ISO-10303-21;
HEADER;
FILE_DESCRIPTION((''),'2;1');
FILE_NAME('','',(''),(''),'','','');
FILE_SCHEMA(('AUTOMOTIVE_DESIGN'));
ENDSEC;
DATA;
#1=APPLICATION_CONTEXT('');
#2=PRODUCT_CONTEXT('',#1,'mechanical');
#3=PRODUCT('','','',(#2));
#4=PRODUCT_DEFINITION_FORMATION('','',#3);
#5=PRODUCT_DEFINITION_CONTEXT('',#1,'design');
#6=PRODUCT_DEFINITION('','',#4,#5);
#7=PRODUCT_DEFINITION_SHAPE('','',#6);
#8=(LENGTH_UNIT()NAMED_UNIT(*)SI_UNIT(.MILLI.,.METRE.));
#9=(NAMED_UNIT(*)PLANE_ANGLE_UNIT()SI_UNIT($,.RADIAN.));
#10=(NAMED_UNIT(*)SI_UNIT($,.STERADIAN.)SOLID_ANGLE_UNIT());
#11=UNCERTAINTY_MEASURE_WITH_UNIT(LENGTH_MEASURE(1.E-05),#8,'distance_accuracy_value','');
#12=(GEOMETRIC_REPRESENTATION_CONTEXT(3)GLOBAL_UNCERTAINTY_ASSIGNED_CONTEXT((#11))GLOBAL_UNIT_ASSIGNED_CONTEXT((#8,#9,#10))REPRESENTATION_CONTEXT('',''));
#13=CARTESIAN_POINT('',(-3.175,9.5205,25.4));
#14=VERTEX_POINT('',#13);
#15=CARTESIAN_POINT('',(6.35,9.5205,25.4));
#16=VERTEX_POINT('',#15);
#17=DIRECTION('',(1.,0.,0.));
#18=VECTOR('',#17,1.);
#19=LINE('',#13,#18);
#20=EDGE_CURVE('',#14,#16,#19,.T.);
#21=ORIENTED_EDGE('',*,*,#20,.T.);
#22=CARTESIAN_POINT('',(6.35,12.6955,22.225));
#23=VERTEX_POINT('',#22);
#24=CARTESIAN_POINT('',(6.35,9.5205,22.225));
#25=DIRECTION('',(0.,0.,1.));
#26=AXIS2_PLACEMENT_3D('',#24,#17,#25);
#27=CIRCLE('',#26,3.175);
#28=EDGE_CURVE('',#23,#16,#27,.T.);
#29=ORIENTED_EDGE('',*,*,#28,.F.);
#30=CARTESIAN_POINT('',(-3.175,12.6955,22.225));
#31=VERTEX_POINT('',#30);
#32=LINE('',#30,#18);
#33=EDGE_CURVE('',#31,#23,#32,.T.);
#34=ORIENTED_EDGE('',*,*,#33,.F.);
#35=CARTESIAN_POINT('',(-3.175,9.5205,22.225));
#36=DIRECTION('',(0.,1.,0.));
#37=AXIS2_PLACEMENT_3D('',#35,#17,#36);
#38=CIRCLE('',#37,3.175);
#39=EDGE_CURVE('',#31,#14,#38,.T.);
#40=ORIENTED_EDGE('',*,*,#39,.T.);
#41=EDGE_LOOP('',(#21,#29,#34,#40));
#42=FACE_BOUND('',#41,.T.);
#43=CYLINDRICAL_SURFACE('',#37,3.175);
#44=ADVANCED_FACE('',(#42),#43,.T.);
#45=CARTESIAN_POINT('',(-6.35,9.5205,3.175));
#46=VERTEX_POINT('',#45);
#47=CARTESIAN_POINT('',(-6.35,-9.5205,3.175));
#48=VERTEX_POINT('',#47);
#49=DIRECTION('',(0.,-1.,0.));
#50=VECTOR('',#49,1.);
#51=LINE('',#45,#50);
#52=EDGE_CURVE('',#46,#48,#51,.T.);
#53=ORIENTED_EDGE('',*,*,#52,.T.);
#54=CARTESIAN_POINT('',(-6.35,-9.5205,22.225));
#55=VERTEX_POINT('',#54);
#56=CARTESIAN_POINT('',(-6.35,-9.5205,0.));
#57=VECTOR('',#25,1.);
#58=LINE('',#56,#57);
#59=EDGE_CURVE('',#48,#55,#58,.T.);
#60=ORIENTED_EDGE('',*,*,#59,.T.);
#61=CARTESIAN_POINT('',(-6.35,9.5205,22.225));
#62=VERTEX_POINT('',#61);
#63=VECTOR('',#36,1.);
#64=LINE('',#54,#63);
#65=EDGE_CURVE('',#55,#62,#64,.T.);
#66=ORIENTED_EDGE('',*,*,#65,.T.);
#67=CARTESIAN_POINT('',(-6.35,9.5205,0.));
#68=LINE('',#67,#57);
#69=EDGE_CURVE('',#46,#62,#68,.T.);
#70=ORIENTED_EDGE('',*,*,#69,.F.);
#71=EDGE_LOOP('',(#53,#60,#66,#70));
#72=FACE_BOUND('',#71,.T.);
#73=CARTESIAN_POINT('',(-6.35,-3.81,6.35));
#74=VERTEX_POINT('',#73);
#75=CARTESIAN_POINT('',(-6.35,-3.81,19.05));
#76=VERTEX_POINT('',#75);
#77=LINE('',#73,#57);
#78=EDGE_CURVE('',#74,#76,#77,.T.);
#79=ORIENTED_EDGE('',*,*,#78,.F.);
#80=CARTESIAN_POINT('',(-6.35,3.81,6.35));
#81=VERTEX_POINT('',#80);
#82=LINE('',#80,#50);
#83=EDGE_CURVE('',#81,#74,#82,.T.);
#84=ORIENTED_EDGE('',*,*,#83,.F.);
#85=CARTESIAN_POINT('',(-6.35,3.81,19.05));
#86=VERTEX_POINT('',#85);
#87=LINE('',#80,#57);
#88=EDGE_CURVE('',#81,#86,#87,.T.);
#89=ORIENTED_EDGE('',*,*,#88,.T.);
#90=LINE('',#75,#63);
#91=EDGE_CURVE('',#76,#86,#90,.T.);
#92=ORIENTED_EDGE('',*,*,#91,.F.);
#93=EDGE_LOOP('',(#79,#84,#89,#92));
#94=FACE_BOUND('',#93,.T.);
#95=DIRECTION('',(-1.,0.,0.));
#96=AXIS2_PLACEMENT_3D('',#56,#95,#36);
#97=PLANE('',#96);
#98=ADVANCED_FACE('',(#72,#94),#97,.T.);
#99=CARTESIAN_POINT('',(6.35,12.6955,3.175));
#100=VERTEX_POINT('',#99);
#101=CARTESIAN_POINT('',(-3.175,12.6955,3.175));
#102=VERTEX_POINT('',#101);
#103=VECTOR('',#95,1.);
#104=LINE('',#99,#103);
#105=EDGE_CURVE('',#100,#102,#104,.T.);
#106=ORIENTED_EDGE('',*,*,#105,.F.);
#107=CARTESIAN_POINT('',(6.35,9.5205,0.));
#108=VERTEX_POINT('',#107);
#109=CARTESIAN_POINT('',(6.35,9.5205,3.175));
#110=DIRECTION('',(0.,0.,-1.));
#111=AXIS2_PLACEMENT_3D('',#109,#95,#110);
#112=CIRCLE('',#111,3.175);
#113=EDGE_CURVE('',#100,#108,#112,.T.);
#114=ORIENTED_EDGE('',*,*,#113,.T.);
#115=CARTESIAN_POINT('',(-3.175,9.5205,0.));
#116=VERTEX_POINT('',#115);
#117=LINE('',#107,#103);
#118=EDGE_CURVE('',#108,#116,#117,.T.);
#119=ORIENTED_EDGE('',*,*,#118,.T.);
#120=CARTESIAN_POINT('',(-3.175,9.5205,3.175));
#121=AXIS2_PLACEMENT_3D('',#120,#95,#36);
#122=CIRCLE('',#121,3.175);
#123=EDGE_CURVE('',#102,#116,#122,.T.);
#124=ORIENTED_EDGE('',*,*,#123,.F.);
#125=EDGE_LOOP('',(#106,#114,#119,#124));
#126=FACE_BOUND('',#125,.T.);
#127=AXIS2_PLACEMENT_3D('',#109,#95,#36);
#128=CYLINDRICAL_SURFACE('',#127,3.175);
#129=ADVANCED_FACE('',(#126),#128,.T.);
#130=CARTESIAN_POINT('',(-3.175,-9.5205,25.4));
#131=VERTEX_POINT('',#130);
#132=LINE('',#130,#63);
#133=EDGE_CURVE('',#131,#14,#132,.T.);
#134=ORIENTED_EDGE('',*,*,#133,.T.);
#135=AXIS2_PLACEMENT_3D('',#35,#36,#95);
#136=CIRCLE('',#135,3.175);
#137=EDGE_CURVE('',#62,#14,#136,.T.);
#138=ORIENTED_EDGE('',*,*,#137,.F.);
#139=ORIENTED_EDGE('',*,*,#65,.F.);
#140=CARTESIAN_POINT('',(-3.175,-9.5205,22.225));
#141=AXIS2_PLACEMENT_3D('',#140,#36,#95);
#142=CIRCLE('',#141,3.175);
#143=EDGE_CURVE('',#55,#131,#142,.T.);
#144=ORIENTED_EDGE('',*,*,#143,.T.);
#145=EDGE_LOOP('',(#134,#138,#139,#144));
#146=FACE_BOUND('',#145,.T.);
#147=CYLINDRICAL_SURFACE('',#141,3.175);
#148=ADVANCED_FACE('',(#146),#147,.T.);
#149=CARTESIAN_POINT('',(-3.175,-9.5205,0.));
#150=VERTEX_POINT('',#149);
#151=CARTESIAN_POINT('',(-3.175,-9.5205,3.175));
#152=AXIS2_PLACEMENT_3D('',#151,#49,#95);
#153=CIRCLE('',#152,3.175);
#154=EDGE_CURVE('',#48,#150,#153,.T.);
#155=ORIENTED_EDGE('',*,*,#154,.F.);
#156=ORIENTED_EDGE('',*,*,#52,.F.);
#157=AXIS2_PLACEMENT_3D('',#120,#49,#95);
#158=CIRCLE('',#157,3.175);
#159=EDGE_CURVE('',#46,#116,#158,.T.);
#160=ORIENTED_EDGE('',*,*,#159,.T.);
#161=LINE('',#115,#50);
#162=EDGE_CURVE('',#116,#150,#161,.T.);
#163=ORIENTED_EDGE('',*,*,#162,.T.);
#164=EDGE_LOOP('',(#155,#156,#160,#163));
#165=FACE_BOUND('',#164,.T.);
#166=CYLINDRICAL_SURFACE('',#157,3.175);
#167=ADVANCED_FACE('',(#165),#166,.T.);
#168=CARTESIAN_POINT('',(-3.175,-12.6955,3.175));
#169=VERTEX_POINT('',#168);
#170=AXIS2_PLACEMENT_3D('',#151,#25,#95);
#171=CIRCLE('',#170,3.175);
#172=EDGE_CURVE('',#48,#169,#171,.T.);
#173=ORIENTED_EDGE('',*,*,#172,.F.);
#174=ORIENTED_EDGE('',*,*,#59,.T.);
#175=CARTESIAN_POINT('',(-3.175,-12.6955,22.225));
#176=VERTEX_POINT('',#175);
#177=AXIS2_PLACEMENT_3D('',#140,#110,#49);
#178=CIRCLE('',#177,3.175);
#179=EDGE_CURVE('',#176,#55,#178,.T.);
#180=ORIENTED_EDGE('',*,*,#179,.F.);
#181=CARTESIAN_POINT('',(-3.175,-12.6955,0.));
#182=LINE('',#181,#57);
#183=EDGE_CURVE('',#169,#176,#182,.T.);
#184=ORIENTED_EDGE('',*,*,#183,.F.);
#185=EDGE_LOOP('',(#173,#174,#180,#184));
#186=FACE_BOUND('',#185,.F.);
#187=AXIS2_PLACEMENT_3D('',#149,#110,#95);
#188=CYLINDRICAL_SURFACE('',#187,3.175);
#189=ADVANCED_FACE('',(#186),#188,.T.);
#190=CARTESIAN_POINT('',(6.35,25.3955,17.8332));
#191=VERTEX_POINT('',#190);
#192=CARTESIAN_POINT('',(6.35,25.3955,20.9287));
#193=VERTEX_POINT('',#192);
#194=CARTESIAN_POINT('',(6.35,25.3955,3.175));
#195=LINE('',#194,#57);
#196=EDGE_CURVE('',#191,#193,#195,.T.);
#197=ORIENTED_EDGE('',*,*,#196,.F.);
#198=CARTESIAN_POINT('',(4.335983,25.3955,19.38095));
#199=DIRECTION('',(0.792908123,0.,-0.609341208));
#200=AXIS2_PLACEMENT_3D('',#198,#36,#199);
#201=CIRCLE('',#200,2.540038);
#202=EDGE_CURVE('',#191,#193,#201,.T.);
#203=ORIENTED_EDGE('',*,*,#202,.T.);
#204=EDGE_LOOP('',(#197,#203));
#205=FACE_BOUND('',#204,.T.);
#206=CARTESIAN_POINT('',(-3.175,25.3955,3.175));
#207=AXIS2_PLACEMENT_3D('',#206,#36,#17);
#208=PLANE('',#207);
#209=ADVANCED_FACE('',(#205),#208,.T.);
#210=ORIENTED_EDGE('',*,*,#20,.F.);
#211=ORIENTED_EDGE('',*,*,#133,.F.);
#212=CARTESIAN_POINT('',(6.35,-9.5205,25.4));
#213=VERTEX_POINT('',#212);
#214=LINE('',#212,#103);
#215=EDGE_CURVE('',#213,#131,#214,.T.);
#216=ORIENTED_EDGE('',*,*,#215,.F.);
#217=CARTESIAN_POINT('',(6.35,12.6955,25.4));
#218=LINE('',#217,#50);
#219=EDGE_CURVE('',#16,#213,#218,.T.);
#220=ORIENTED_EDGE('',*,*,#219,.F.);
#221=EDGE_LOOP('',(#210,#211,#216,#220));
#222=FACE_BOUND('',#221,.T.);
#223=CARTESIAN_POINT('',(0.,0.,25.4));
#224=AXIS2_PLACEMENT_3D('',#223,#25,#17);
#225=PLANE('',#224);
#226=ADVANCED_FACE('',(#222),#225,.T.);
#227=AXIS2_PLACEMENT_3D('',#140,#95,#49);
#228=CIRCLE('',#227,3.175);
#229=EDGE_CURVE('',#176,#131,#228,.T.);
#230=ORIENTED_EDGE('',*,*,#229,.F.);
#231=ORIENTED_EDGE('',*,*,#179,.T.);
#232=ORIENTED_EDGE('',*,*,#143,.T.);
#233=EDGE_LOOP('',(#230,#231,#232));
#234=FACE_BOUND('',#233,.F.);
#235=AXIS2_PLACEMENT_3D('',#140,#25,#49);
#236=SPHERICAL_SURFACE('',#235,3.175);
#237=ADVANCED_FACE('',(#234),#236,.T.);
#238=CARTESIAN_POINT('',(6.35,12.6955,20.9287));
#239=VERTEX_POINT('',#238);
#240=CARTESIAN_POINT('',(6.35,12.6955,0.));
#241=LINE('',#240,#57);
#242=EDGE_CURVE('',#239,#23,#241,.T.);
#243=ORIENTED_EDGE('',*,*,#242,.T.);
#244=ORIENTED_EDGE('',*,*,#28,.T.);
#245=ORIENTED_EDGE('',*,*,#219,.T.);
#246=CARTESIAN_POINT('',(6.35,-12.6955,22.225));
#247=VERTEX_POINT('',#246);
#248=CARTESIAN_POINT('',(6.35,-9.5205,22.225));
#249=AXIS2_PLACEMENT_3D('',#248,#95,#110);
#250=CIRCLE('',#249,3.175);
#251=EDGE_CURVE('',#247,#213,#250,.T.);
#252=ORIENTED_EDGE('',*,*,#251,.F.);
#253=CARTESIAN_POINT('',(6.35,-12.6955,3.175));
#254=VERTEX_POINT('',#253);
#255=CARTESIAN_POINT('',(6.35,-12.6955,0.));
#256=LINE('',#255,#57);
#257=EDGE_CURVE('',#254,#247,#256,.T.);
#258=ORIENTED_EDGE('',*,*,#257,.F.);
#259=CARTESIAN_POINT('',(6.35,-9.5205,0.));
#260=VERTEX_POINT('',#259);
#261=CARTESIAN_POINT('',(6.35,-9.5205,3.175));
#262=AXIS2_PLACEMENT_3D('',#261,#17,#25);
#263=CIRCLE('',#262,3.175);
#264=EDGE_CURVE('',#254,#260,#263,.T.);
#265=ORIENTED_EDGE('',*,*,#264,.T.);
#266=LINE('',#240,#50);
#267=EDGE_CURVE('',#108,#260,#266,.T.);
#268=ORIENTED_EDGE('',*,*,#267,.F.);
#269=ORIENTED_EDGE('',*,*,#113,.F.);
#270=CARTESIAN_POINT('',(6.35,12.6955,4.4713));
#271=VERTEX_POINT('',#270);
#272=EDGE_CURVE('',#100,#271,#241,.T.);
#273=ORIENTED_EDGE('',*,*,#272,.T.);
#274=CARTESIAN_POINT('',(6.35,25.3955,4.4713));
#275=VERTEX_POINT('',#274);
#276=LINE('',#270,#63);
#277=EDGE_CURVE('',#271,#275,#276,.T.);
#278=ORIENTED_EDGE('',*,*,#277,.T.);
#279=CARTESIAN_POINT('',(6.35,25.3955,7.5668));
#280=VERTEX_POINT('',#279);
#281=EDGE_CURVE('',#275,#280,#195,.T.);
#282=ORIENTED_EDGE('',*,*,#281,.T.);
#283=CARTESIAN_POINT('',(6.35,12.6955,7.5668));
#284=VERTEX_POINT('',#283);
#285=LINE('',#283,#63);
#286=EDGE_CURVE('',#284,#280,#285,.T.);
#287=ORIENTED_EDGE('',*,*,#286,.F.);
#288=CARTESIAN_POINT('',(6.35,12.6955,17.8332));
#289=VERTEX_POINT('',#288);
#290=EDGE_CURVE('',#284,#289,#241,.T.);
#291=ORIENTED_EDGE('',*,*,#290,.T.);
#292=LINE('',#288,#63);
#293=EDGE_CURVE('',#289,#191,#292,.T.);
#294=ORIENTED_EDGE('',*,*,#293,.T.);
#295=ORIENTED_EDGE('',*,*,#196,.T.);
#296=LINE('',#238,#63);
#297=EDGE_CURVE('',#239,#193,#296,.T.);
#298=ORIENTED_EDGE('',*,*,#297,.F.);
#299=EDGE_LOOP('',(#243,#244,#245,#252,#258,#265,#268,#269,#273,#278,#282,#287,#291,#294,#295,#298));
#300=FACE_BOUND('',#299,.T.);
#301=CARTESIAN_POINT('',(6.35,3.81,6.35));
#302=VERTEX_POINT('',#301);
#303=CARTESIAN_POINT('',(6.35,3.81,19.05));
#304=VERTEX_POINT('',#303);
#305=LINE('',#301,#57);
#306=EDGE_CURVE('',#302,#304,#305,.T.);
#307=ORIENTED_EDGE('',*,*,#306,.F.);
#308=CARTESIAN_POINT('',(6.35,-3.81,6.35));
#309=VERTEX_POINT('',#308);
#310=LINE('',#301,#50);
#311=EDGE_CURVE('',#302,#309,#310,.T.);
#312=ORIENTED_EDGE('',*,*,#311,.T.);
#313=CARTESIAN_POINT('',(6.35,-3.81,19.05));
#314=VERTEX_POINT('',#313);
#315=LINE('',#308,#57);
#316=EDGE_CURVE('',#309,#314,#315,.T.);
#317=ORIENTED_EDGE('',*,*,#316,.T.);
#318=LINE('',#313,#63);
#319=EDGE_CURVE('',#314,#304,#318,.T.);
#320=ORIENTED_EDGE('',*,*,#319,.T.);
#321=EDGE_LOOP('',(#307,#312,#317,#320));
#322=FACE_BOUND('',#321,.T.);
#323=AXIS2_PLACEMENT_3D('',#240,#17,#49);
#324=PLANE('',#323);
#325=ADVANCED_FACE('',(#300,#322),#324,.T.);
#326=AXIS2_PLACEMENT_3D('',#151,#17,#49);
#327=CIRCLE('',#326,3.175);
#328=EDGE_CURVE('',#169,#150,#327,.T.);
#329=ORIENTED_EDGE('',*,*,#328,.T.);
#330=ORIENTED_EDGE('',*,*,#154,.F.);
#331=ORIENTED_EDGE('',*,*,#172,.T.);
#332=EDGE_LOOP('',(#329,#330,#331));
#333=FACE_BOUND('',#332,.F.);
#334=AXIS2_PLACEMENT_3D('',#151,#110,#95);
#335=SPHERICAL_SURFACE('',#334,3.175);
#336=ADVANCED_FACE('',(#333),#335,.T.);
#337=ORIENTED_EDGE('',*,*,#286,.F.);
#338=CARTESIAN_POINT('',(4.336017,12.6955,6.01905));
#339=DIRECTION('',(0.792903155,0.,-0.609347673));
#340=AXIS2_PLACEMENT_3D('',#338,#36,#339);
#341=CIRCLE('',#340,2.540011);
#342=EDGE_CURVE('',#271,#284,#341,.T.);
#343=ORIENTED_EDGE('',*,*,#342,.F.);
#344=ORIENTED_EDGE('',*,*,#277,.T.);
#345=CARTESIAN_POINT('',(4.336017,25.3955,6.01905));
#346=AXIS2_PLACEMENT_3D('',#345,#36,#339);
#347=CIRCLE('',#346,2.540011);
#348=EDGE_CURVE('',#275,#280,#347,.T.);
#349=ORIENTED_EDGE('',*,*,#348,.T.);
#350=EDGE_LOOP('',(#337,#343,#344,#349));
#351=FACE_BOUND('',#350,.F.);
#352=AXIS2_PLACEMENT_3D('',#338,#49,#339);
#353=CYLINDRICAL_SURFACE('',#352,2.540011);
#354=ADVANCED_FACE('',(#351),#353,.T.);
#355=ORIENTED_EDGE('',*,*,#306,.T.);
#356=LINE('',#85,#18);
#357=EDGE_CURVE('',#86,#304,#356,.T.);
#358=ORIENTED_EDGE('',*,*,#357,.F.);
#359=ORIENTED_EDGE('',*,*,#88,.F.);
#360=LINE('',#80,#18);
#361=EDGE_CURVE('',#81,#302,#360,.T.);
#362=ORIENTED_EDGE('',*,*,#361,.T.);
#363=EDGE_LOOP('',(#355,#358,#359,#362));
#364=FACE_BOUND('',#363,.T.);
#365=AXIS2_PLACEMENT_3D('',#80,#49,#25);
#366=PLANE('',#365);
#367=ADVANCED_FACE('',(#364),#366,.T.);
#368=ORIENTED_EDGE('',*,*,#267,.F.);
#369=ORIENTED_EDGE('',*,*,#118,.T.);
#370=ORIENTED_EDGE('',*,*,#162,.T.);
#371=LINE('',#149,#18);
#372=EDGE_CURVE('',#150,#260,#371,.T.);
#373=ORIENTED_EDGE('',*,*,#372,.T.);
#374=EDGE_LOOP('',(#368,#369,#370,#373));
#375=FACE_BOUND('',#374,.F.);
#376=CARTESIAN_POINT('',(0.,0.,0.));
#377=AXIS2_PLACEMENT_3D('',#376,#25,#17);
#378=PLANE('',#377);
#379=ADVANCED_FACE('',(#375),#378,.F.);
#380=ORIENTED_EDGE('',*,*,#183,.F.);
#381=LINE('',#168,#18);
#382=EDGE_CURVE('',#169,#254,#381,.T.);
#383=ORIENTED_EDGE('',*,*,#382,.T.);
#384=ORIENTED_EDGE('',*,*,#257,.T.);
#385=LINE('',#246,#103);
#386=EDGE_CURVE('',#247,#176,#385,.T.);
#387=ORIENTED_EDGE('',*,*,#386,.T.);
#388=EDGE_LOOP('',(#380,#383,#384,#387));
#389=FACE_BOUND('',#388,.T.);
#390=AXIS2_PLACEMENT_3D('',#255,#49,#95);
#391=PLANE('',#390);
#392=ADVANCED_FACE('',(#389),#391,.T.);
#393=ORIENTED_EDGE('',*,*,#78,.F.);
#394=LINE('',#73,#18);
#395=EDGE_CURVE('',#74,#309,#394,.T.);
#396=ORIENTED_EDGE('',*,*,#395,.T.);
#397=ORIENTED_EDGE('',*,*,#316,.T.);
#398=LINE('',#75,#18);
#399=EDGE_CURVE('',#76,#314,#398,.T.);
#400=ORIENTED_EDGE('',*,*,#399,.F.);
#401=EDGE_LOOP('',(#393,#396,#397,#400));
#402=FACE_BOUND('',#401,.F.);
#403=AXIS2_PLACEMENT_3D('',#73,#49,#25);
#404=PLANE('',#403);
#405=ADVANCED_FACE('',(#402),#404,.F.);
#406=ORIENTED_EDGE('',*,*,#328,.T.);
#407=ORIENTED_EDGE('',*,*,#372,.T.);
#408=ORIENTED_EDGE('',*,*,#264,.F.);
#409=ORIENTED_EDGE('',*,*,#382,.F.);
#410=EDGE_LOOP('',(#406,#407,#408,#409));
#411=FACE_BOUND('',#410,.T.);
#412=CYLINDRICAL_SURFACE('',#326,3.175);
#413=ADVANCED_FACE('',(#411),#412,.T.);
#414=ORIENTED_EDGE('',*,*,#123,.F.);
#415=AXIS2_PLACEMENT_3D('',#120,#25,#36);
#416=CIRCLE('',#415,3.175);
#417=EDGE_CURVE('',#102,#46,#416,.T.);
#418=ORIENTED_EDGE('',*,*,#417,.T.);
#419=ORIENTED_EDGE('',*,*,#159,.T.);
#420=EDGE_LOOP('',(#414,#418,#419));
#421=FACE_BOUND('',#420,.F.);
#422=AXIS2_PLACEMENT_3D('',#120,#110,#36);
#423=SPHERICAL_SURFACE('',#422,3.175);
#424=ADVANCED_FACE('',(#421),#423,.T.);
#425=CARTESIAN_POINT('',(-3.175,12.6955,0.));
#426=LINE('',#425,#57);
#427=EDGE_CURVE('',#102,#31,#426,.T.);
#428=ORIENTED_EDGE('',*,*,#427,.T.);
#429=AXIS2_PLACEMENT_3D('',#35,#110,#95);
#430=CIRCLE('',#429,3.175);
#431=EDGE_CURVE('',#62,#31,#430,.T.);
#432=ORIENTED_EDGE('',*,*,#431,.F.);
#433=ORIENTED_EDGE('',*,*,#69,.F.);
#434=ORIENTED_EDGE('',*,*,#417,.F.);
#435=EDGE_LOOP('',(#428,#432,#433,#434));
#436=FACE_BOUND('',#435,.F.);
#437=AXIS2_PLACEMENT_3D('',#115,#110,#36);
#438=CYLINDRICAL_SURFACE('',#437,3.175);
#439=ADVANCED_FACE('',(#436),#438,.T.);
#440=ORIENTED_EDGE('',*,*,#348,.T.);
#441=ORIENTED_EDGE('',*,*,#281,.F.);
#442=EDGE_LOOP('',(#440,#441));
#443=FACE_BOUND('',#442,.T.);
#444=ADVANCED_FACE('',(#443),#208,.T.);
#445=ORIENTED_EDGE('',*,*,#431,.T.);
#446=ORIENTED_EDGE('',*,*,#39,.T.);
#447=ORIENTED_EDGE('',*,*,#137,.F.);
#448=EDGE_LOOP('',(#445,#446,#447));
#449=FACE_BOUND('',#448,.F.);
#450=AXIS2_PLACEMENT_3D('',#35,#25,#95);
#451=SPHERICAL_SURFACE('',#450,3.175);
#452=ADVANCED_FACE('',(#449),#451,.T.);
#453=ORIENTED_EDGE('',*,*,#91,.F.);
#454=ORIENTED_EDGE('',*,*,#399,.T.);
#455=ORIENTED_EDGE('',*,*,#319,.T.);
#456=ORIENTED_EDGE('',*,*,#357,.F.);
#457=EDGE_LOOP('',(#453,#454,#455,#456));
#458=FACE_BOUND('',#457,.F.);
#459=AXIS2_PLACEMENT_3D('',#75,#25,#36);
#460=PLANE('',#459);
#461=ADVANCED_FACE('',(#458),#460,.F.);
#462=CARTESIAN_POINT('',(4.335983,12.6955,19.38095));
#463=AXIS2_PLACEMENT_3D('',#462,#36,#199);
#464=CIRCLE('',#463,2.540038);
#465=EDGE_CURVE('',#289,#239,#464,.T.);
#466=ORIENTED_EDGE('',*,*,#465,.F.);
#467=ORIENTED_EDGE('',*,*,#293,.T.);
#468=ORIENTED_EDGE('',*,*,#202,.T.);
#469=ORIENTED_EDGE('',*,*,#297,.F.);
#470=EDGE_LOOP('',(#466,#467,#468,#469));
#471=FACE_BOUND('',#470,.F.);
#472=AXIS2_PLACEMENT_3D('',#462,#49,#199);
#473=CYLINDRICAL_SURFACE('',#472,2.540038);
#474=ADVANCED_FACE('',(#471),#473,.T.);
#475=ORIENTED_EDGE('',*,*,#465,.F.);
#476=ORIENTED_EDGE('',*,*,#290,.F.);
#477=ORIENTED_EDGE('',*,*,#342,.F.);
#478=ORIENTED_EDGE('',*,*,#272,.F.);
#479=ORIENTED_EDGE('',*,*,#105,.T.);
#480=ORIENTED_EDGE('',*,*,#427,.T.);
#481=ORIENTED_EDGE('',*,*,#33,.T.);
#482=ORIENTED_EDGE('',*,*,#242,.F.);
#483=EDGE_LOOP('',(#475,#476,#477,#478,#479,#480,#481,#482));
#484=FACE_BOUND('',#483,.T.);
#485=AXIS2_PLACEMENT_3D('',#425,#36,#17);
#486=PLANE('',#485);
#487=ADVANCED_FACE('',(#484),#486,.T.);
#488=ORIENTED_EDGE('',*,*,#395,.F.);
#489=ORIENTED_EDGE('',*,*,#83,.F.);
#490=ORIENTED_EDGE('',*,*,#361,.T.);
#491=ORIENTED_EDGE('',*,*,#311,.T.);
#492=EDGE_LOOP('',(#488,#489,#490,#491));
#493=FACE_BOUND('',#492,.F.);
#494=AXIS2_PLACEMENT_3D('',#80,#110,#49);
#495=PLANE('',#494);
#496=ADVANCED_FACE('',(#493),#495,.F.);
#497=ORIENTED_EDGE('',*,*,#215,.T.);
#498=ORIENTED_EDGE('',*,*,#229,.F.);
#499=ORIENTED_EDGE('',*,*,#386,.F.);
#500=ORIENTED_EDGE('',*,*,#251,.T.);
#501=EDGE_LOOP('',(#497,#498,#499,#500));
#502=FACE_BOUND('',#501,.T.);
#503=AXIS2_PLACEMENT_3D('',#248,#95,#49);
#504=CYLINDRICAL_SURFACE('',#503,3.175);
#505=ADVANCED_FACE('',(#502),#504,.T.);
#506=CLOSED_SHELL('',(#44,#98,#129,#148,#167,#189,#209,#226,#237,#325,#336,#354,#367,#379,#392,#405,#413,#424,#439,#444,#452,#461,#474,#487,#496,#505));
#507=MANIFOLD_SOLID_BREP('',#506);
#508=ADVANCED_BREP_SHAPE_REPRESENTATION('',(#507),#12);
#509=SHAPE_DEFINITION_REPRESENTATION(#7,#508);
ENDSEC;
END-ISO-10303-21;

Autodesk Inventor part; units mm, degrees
ref_plane "YZ Plane" through (0, 0, 0) normal (1, 0, 0) x (0, 1, 0)
ref_plane "XZ Plane" through (0, 0, 0) normal (0, 1, 0) x (-1, 0, 0)
ref_plane "XY Plane" through (0, 0, 0) normal (0, 0, 1) x (1, 0, 0)
sketch "Sketch1" plane through (0, 0, 0) normal (0, 0, 1) x (1, 0, 0)
  line L0 (6.35, -12.6955) -> (-3.175, -12.6955)
  line L1 (-6.35, -9.5205) -> (-6.35, 9.5205)
  line L2 (-3.175, 12.6955) -> (6.35, 12.6955)
  line L3 (6.35, 12.6955) -> (6.35, -12.6955)
  line L4 (6.35, -12.6955) -> (-6.35, 12.6955) construction
  line L5 (-6.35, -12.6955) -> (6.35, 12.6955) construction
  arc A0 (-3.175, 12.6955) -> (-6.35, 9.5205) centre (-3.175, 9.5205) ccw
  arc A1 (-6.35, -9.5205) -> (-3.175, -12.6955) centre (-3.175, -9.5205) ccw
  point P0 (0, 0)
  dimension "d0" = 12.7
  dimension "d1" = 3.175
extrude "Extrusion1" add sketch "Sketch1" along normal blind 25.4
fillet "Fillet1" radius 3.175 10 edges at (-6.35, 0, 25.4) (-5.4201, -11.7656, 25.4) (1.5875, -12.6955, 25.4) (1.5875, 12.6955, 25.4) (-5.4201, 11.7656, 25.4) (-5.4201, 11.7656, 0) (1.5875, 12.6955, 0) (-5.4201, -11.7656, 0) (1.5875, -12.6955, 0) (-6.35, 0, 0)
sketch "Sketch2" plane through (-3.175, 12.6955, 3.175) normal (0, 1, 0) x (1, 0, 0)
  arc A0 (9.525, -14.6582) -> (9.525, -17.7537) centre (7.511, -16.206) ccw
  line L0 (0, 0) -> (0, -19.05) projected
  line L1 (9.525, 0) -> (9.525, -19.05) projected
  arc A1 (9.525, -1.2963) -> (9.525, -4.3918) centre (7.511, -2.844) ccw
  line L2 (9.525, -1.2963) -> (9.525, -4.3918)
  line L3 (9.525, -14.6582) -> (9.525, -17.7537)
  point P0 (3.175, 3.175)
  dimension "d5" = 5.08
extrude "Extrusion2" add sketch "Sketch2" along normal blind 12.7
sketch "Sketch3" plane through (-6.35, -9.5205, 3.175) normal (-1, 0, 0) x (0, 0, 1)
  line L0 (4.445, 6.9805) -> (9.525, 9.5205) construction
  line L1 (9.525, 9.5205) -> (4.445, 11.5525) construction
  line L2 (3.175, 6.9805) -> (9.525, 9.5205) construction
  line L3 (9.525, 9.5205) -> (5.2917, 12.0605) construction
  line L4 (5.2917, 6.9805) -> (13.7583, 12.0605) construction
  line L5 (3.175, 13.3305) -> (3.175, 5.7105)
  line L6 (15.875, 5.7105) -> (15.875, 13.3305)
  line L7 (14.9679, 13.3305) -> (3.175, 5.0755) construction
  line L8 (4.0821, 13.3305) -> (14.9679, 5.7105) construction
  line L9 (3.175, 5.0755) -> (3.175, 5.7105)
  line L10 (15.875, 5.7105) -> (15.875, 13.3305)
  line L11 (3.175, 13.3305) -> (3.175, 5.7105)
  line L12 (3.175, 13.3305) -> (15.875, 13.3305)
  line L13 (3.175, 5.7105) -> (15.875, 5.7105)
  point P0 (-3.175, 9.5205)
  point P1 (9.525, 9.5205)
extrude "Extrusion3" cut sketch "Sketch3" against normal blind 12.7
properties part number "pig_butt"
